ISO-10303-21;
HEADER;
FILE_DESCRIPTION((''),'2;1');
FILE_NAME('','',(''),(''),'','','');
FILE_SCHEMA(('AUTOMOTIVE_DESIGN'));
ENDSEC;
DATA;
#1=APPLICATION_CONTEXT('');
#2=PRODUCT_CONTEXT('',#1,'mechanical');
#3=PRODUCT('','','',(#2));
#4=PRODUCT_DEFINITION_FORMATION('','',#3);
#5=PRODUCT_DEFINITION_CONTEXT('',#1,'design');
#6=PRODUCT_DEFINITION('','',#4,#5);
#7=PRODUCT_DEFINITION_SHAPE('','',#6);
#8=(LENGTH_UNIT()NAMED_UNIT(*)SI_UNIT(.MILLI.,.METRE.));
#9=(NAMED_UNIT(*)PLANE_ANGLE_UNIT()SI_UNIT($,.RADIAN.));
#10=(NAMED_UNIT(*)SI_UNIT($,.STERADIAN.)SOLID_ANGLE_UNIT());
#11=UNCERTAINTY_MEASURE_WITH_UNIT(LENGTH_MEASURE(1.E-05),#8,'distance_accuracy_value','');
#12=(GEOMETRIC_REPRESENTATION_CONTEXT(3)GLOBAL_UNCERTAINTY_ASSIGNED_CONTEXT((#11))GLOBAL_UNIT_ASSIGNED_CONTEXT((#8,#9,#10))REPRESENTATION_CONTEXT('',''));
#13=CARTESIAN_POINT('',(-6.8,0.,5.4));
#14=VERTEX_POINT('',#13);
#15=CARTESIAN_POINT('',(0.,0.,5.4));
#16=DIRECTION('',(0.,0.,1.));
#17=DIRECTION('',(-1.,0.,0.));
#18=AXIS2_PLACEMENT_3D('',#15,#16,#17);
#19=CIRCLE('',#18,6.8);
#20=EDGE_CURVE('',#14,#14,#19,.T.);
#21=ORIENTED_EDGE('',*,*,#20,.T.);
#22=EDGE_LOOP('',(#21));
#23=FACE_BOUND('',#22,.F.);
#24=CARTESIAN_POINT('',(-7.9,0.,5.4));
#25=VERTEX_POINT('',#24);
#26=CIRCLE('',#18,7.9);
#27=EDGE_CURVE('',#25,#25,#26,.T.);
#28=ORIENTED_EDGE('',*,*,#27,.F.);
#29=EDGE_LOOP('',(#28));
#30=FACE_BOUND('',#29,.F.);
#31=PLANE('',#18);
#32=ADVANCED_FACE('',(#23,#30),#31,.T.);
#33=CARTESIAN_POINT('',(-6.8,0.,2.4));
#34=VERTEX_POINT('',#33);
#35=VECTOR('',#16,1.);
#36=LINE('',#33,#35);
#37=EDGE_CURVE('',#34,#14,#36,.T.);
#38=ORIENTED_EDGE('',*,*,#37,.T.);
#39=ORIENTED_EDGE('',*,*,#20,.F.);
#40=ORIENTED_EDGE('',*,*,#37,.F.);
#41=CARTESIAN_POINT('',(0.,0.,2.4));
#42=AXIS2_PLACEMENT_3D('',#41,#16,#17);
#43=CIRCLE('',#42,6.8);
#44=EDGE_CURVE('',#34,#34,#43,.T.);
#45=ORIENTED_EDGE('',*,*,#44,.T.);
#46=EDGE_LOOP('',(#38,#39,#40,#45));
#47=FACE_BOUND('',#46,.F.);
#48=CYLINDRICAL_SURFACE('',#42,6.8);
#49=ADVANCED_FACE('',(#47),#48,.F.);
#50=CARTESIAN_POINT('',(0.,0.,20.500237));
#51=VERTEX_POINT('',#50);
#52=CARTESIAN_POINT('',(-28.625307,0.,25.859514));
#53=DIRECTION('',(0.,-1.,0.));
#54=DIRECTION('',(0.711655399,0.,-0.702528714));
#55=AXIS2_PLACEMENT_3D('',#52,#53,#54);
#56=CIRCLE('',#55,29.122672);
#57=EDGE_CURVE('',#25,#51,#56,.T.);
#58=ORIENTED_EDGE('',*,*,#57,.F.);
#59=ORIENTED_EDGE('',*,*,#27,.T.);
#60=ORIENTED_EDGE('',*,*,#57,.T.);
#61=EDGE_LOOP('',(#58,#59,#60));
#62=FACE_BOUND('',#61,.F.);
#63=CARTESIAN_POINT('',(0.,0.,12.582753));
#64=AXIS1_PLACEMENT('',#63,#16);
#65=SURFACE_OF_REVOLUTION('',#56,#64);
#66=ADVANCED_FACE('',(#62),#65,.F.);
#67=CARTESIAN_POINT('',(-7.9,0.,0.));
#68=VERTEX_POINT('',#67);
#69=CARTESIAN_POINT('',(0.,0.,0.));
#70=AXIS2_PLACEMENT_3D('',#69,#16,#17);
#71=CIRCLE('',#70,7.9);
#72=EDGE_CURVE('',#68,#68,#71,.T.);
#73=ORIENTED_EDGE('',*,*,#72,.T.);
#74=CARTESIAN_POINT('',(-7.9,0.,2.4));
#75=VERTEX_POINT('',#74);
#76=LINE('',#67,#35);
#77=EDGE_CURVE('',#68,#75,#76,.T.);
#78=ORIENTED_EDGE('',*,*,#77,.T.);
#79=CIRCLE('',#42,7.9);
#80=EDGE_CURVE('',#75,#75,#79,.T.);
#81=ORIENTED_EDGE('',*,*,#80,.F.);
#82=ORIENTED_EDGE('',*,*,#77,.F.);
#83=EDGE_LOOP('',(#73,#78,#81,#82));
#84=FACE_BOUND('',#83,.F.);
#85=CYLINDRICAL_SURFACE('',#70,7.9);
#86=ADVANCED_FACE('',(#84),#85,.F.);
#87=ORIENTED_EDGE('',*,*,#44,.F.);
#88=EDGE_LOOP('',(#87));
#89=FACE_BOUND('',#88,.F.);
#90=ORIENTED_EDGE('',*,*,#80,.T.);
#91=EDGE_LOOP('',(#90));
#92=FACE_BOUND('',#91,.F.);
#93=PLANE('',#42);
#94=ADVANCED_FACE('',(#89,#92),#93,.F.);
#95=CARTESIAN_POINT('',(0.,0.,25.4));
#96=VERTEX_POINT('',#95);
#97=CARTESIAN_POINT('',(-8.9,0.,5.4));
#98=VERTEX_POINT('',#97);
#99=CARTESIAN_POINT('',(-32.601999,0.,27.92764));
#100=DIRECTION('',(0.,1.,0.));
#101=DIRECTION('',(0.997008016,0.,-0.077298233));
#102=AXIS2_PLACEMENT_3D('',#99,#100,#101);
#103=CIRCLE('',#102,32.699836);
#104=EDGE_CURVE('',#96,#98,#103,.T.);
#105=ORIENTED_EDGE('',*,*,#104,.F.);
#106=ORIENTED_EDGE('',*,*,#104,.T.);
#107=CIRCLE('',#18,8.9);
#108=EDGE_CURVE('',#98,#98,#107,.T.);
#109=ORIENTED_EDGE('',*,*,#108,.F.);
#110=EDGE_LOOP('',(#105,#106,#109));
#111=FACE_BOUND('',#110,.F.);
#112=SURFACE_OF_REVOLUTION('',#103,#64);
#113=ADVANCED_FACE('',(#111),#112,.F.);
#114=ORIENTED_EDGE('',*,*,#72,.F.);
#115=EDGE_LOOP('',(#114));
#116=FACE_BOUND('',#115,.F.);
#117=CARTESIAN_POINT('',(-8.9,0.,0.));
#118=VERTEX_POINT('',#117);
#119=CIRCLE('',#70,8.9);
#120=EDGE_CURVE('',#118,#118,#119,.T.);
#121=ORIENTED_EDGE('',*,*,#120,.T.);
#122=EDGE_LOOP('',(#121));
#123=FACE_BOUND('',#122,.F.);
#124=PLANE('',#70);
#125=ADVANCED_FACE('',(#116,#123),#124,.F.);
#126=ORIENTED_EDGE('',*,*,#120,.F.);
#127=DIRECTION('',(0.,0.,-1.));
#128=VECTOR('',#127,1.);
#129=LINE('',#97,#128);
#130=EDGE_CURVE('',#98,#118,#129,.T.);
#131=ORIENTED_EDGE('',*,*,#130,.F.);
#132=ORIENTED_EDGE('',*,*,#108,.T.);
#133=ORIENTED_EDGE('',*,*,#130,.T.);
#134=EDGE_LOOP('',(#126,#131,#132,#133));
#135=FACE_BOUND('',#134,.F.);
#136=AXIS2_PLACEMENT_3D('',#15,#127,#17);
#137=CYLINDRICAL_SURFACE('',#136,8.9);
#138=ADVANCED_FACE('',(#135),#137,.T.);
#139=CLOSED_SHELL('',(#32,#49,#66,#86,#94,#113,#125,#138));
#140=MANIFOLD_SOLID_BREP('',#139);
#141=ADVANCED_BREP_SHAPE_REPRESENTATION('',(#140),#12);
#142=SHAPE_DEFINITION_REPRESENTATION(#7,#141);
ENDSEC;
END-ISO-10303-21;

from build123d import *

# Parameters (mm, degrees)
F3_ANGLE = 90


with BuildPart() as f1:
    # F0 (on Front) → F1 (revolve)
    with BuildSketch(Plane.XZ):
        with BuildLine():
            Line((0, 8.9), (0, 7.9))
            Line((0, 7.9), (2.4, 7.9))
            Line((2.4, 7.9), (2.4, 6.8))
            Line((2.4, 6.8), (5.4, 6.8))
            Line((5.4, 6.8), (5.4, 7.9))
            ThreePointArc((5.4, 7.9), (12.3593291438, 2.820751862), (20.5002371222, 0))
            Line((20.5002371222, 0), (25.4, 0))
            ThreePointArc((25.4, 0), (14.6331199029, 2.7266739391), (5.4, 8.9))
            Line((5.4, 8.9), (0, 8.9))
        make_face()
    revolve(axis=Axis((12.5827532146, 0, 0), (1, 0, 0)))


with BuildPart() as f1_1:
    # F3: moved
    add(f1.part.rotate(Axis((0, 0, 0), (0, -1, 0)), F3_ANGLE))


solid = f1_1.part
